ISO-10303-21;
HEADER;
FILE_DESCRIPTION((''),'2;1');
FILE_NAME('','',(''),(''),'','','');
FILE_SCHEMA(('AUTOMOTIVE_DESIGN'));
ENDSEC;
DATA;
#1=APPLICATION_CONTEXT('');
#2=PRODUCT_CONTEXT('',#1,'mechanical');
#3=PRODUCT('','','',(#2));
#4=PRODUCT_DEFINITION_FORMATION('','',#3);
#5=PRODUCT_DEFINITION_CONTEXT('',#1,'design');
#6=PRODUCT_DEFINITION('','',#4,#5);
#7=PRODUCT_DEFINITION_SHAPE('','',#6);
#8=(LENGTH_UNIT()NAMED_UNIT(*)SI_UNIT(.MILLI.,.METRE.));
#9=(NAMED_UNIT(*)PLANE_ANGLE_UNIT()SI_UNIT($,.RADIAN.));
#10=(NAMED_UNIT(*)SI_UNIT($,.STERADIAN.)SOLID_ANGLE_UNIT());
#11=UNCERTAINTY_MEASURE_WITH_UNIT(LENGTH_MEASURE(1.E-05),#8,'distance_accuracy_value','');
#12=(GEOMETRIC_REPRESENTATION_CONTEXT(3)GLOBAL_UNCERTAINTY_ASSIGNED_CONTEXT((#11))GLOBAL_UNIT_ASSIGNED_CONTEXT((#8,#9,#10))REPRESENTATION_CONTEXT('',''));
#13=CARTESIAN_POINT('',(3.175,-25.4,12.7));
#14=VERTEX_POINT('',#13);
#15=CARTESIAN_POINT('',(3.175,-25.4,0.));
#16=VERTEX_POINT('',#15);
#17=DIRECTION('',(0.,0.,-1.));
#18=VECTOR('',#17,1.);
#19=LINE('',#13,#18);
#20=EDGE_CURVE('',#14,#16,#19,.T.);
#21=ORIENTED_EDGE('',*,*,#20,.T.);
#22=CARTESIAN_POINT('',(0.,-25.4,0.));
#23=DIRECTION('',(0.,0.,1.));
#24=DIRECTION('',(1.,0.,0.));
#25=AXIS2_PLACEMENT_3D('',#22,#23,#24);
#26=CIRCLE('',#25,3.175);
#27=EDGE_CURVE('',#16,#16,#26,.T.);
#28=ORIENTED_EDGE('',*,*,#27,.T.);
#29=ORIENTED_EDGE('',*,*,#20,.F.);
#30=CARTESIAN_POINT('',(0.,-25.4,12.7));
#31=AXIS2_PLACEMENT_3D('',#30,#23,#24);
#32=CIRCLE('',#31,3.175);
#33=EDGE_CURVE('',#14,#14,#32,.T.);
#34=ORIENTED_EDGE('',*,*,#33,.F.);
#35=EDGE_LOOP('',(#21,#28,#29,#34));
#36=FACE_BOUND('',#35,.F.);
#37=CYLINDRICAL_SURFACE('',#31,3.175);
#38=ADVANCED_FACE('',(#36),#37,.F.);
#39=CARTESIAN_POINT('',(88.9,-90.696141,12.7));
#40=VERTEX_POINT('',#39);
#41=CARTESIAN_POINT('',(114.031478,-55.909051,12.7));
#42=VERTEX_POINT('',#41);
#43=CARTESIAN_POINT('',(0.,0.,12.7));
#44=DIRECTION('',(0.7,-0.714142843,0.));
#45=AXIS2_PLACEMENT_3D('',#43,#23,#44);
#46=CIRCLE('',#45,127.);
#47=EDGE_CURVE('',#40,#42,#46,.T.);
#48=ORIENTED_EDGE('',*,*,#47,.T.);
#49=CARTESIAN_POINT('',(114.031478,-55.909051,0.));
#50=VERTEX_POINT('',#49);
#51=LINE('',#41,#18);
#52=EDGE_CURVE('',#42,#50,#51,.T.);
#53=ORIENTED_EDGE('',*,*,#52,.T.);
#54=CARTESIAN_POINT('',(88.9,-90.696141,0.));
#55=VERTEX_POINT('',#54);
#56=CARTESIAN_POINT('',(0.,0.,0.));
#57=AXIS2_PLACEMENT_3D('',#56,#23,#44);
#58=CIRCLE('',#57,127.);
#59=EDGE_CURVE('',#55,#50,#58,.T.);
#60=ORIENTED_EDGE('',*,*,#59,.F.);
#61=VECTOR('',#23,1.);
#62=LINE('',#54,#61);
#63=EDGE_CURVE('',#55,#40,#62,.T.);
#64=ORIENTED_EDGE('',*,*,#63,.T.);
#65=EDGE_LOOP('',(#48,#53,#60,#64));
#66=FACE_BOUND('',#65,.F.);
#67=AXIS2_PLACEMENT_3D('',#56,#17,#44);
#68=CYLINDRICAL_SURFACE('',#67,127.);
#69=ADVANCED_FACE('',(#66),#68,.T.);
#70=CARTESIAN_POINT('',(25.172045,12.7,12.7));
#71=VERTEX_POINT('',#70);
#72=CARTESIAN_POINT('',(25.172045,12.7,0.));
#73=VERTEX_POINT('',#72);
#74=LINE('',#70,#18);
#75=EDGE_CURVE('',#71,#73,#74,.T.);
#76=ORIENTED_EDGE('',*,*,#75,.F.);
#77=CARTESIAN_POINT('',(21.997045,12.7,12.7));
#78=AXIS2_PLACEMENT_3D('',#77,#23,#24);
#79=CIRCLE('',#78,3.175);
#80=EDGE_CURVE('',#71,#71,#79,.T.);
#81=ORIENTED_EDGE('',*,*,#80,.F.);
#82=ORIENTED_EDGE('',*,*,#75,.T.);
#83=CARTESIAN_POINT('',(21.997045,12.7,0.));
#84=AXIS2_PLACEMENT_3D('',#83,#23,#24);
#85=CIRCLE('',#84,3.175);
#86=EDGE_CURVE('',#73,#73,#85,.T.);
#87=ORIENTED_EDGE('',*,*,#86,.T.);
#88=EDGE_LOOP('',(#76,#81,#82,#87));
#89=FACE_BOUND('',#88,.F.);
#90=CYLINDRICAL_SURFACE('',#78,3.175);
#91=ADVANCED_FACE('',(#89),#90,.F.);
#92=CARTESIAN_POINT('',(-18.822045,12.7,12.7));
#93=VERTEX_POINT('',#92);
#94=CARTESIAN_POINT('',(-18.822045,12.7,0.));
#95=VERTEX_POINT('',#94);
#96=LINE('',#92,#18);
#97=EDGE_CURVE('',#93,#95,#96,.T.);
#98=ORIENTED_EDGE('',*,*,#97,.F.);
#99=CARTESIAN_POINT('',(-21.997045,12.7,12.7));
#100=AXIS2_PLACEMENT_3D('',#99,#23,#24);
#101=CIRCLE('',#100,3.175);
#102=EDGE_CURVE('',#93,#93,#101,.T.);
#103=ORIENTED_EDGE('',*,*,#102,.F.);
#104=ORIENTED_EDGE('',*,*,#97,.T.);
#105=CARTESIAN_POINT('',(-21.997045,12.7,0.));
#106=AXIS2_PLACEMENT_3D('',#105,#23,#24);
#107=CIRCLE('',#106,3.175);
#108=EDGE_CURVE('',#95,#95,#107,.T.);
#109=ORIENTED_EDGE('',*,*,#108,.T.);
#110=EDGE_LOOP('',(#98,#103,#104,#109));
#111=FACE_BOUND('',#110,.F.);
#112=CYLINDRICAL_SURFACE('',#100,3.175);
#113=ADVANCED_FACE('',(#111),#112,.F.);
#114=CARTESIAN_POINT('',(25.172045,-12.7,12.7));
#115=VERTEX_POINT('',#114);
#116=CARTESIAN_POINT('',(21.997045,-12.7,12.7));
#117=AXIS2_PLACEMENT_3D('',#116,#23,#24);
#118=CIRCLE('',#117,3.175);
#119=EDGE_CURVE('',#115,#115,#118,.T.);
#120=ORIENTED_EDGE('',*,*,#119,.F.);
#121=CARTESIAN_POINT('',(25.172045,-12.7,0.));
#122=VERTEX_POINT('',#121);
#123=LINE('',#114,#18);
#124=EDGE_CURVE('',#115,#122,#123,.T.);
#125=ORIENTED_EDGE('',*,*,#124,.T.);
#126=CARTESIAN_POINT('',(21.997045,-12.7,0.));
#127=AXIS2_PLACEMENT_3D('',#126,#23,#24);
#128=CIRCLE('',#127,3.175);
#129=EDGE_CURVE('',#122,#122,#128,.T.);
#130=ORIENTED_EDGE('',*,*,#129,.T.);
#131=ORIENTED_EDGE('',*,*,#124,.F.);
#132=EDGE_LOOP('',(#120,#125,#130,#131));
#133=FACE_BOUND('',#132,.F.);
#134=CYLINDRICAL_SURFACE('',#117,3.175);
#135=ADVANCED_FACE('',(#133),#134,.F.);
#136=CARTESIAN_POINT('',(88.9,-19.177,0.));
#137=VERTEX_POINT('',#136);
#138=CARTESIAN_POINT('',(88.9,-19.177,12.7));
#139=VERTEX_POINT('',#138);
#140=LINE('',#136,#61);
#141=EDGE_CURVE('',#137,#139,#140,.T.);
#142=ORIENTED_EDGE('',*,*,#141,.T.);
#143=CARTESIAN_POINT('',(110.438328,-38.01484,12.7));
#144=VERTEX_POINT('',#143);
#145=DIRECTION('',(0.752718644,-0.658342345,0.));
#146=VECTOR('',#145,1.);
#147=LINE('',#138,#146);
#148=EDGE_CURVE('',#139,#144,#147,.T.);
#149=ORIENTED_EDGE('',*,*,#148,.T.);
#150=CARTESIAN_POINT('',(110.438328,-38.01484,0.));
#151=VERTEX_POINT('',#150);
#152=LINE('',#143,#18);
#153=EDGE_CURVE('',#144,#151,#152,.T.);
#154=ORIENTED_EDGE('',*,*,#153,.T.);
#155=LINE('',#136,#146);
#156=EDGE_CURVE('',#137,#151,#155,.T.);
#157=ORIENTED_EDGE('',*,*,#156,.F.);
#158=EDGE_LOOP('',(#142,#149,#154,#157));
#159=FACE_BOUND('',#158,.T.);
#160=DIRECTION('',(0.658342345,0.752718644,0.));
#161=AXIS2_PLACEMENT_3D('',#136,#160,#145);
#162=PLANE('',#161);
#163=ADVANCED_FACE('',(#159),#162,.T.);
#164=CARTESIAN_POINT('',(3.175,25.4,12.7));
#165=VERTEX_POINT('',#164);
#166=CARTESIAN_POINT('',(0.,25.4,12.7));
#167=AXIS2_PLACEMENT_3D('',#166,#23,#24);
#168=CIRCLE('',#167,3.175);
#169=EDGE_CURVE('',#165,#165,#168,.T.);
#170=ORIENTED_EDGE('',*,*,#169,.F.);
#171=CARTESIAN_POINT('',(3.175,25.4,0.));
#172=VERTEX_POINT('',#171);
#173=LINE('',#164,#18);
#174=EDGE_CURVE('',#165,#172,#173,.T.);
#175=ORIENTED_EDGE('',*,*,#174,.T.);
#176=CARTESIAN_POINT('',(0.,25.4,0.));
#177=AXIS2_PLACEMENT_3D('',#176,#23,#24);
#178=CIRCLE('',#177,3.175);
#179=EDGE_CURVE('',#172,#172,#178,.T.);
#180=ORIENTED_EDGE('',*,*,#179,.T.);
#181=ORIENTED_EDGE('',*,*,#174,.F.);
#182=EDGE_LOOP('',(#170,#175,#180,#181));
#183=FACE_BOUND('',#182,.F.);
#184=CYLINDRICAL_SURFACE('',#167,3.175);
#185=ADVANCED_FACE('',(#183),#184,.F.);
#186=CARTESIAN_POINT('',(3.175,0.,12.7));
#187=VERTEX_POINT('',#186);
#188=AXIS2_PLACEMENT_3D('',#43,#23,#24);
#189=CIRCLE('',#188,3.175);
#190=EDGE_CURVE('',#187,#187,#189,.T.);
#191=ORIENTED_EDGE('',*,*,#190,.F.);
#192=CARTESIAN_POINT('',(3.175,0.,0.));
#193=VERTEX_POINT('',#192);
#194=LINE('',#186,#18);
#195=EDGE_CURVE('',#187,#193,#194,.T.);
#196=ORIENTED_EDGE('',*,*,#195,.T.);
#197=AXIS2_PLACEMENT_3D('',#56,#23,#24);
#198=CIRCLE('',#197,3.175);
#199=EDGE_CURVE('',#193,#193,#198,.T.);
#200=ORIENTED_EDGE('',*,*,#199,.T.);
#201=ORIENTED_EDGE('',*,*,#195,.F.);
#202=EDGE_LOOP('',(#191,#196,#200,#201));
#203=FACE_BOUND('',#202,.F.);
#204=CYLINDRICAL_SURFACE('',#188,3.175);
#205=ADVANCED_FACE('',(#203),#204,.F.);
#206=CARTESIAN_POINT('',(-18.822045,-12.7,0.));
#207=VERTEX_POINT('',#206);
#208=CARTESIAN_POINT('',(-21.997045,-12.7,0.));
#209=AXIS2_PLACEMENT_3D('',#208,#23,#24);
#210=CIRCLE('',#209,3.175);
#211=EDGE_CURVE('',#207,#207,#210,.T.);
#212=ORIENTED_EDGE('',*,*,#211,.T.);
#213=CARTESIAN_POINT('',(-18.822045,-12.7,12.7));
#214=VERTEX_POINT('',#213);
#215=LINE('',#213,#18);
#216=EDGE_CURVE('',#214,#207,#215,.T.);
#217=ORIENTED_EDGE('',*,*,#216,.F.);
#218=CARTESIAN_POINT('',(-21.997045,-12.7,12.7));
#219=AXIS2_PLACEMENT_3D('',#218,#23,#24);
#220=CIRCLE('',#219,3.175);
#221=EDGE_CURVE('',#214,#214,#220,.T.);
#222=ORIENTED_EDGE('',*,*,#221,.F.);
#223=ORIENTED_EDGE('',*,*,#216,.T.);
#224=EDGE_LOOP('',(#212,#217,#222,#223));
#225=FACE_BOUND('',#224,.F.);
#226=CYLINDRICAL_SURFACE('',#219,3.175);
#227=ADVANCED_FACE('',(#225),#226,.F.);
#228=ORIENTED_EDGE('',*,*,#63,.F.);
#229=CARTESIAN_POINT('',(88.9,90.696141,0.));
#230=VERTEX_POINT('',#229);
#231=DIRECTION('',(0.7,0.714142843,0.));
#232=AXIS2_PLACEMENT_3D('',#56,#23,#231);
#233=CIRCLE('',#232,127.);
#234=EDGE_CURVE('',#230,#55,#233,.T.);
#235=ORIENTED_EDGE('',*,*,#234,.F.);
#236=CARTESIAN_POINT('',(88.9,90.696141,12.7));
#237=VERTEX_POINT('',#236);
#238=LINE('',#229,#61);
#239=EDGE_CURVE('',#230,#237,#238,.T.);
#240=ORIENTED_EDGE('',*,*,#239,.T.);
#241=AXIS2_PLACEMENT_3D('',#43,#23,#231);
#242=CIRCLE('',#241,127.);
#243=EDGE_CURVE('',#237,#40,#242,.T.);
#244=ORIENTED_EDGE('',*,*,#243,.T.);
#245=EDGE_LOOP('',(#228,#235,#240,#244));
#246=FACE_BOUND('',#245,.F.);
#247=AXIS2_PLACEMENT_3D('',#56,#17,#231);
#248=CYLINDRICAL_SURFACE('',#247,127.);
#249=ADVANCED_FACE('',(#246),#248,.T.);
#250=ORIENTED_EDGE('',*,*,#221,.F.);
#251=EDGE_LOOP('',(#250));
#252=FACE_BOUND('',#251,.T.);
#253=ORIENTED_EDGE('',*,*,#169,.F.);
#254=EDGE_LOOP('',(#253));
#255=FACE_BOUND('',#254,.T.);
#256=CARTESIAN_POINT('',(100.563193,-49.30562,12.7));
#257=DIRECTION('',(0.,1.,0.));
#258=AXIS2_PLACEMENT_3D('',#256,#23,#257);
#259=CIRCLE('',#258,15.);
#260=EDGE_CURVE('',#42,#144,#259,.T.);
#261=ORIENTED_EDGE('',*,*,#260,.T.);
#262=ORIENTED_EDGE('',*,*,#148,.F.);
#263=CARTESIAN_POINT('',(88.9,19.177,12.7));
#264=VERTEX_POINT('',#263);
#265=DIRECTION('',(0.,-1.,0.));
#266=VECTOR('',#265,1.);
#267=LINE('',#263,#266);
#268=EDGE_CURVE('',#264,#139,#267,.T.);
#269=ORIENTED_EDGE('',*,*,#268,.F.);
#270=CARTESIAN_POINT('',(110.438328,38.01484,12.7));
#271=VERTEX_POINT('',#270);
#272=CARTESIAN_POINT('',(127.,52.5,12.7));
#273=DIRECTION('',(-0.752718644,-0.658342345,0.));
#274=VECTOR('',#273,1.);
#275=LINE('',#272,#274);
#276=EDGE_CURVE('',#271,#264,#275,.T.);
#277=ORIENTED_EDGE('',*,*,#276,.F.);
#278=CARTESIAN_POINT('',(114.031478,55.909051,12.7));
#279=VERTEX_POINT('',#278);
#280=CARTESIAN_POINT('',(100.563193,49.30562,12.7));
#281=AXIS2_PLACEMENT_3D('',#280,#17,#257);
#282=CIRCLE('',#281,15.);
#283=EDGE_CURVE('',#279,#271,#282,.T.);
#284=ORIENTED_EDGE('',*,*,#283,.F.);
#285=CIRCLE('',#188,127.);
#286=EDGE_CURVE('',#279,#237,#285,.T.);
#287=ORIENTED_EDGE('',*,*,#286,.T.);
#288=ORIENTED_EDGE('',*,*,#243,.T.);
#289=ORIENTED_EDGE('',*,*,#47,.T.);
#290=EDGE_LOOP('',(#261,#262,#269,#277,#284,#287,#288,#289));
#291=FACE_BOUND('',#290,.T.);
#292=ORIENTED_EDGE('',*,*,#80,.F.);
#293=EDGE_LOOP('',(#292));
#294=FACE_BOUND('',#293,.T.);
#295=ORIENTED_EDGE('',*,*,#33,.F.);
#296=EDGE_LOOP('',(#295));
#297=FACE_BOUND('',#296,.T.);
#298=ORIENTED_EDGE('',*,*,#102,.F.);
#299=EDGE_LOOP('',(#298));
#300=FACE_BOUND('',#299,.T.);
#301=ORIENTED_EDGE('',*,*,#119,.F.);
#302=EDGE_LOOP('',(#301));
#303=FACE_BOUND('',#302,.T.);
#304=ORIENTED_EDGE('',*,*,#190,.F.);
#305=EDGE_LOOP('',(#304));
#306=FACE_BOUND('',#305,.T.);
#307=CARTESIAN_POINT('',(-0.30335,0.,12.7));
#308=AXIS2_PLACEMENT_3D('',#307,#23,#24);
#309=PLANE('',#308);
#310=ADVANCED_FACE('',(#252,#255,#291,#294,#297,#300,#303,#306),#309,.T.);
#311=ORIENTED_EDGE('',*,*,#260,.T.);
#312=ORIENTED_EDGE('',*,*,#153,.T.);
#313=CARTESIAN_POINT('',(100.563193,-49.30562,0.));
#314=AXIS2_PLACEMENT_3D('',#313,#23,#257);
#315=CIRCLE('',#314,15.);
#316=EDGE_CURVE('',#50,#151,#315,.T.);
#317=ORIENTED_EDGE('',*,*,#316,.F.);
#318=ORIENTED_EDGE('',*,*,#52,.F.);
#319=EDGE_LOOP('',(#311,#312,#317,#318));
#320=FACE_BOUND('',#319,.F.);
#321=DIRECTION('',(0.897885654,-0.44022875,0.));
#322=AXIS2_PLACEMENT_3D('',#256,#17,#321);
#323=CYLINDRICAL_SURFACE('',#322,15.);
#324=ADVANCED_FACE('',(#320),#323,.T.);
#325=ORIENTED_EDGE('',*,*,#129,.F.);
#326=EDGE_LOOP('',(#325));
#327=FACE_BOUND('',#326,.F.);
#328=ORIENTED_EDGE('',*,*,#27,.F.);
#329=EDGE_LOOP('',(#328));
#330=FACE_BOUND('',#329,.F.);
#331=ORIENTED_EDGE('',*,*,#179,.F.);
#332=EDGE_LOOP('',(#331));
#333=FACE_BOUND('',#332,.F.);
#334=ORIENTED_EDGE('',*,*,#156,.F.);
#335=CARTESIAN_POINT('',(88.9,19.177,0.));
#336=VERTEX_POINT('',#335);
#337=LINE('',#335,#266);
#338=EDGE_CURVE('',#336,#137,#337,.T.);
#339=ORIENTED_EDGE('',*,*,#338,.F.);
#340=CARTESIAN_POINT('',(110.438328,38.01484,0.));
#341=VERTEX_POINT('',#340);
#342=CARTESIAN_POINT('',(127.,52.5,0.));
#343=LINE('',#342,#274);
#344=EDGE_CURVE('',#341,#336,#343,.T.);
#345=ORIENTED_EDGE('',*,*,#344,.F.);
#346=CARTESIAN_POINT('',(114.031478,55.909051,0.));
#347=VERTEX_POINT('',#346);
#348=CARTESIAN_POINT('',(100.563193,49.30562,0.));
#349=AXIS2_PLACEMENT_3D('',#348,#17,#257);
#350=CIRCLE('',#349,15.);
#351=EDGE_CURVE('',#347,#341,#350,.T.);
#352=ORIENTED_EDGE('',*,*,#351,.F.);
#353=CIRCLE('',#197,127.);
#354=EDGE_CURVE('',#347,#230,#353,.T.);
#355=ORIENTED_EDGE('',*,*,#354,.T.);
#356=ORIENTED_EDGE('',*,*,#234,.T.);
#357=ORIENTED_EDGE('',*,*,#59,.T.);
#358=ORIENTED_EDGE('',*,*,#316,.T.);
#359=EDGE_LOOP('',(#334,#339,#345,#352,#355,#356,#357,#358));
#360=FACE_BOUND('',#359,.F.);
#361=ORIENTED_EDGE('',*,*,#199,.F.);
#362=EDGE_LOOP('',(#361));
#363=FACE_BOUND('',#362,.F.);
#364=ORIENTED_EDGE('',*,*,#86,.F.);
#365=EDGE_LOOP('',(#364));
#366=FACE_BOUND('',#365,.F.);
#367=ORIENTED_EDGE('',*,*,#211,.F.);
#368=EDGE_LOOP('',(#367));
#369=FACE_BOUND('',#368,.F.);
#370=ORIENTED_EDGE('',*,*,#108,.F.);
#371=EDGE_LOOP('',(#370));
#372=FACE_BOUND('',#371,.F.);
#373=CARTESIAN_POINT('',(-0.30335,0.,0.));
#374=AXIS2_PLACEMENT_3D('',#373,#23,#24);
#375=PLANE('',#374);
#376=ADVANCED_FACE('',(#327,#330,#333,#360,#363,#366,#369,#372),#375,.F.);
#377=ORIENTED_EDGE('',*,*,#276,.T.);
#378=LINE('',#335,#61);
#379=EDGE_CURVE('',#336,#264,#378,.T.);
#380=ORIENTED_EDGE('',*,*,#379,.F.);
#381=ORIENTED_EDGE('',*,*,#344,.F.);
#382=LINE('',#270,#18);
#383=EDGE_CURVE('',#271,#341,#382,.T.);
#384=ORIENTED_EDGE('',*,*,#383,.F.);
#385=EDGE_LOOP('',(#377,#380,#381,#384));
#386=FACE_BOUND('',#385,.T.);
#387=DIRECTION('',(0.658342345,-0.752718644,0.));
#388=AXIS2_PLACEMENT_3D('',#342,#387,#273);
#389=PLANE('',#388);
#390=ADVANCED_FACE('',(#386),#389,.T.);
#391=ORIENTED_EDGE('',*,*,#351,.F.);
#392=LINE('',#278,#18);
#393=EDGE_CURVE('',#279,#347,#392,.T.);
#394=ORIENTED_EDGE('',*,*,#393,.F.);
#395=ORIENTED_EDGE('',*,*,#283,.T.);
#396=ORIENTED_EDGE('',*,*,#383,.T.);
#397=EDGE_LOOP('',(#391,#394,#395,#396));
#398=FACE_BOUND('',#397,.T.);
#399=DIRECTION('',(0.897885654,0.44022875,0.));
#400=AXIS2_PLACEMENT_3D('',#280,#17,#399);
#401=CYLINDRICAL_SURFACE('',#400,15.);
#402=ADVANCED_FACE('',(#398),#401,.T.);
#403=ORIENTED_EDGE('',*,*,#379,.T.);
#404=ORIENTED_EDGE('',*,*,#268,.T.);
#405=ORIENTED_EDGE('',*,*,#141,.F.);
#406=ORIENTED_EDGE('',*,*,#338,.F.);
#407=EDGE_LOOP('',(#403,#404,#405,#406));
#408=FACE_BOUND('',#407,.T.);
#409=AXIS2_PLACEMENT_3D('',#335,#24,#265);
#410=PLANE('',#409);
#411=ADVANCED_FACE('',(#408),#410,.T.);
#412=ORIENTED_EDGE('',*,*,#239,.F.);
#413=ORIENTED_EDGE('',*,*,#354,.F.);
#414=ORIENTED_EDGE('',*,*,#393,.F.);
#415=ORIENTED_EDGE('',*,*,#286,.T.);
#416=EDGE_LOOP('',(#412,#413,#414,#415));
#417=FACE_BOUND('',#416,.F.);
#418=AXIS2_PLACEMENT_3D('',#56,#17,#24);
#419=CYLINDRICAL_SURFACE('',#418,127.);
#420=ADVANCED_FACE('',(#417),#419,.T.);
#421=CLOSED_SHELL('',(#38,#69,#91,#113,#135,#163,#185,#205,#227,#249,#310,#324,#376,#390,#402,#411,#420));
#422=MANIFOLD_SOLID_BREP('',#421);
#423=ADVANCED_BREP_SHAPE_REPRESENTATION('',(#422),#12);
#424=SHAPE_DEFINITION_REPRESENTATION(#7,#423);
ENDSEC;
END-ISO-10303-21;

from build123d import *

# Parameters (mm, degrees)
F2_DEPTH = 12.7
F3_DEPTH = 12.7
F4_R     = 15
F5_R     = 3.175
F6_DEPTH = 12.7


with BuildPart() as f2:
    # F0 (on Top) → F2 (new body)
    with BuildSketch(Plane.XY):
        with BuildLine():
            Line((88.9, 0), (88.9, 90.6961410425))
            ThreePointArc((88.9, 90.6961410425), (-127, 0), (88.9, -90.6961410425))
            Line((88.9, -90.6961410425), (88.9, 0))
        make_face()
        with BuildLine():
            Line((88.9, 0), (127, 0))
            ThreePointArc((127, 0), (117.0882146076, 49.1868884968), (88.9, 90.6961410425))
            Line((88.9, 90.6961410425), (88.9, 0))
        make_face()
        with BuildLine():
            ThreePointArc((88.9, -90.6961410425), (117.0882146076, -49.1868884968), (127, 0))
            Line((127, 0), (88.9, 0))
            Line((88.9, 0), (88.9, -90.6961410425))
        make_face()
    extrude(amount=F2_DEPTH)

    # F1 (on Top) → F3 (cut, through all)
    with BuildSketch(Plane.XY):
        Polygon((127, 52.5), (88.9, 19.177), (88.9, -19.177), (127, -52.5), align=None)
    extrude(amount=F3_DEPTH, mode=Mode.SUBTRACT)

    # F4
    f4_edges = [f2.edges().sort_by_distance(p)[0] for p in [
        (118.676596, -45.220189, 6.35),
        (118.676596, 45.220189, 6.35),
    ]]
    fillet(f4_edges, radius=F4_R)

    # F5 (on face) → F6 (cut, through all)
    with BuildSketch(Plane.XY.offset(12.7)):
        Circle(F5_R)
        with Locations((0, 25.4)):
            Circle(F5_R)
        with Locations((-21.9970452561, 12.7)):
            Circle(F5_R)
        with Locations((-21.9970452561, -12.7)):
            Circle(F5_R)
        with Locations((0, -25.4)):
            Circle(F5_R)
        with Locations((21.9970452561, -12.7)):
            Circle(F5_R)
        with Locations((21.9970452561, 12.7)):
            Circle(F5_R)
    extrude(amount=-F6_DEPTH, mode=Mode.SUBTRACT)


solid = f2.part
